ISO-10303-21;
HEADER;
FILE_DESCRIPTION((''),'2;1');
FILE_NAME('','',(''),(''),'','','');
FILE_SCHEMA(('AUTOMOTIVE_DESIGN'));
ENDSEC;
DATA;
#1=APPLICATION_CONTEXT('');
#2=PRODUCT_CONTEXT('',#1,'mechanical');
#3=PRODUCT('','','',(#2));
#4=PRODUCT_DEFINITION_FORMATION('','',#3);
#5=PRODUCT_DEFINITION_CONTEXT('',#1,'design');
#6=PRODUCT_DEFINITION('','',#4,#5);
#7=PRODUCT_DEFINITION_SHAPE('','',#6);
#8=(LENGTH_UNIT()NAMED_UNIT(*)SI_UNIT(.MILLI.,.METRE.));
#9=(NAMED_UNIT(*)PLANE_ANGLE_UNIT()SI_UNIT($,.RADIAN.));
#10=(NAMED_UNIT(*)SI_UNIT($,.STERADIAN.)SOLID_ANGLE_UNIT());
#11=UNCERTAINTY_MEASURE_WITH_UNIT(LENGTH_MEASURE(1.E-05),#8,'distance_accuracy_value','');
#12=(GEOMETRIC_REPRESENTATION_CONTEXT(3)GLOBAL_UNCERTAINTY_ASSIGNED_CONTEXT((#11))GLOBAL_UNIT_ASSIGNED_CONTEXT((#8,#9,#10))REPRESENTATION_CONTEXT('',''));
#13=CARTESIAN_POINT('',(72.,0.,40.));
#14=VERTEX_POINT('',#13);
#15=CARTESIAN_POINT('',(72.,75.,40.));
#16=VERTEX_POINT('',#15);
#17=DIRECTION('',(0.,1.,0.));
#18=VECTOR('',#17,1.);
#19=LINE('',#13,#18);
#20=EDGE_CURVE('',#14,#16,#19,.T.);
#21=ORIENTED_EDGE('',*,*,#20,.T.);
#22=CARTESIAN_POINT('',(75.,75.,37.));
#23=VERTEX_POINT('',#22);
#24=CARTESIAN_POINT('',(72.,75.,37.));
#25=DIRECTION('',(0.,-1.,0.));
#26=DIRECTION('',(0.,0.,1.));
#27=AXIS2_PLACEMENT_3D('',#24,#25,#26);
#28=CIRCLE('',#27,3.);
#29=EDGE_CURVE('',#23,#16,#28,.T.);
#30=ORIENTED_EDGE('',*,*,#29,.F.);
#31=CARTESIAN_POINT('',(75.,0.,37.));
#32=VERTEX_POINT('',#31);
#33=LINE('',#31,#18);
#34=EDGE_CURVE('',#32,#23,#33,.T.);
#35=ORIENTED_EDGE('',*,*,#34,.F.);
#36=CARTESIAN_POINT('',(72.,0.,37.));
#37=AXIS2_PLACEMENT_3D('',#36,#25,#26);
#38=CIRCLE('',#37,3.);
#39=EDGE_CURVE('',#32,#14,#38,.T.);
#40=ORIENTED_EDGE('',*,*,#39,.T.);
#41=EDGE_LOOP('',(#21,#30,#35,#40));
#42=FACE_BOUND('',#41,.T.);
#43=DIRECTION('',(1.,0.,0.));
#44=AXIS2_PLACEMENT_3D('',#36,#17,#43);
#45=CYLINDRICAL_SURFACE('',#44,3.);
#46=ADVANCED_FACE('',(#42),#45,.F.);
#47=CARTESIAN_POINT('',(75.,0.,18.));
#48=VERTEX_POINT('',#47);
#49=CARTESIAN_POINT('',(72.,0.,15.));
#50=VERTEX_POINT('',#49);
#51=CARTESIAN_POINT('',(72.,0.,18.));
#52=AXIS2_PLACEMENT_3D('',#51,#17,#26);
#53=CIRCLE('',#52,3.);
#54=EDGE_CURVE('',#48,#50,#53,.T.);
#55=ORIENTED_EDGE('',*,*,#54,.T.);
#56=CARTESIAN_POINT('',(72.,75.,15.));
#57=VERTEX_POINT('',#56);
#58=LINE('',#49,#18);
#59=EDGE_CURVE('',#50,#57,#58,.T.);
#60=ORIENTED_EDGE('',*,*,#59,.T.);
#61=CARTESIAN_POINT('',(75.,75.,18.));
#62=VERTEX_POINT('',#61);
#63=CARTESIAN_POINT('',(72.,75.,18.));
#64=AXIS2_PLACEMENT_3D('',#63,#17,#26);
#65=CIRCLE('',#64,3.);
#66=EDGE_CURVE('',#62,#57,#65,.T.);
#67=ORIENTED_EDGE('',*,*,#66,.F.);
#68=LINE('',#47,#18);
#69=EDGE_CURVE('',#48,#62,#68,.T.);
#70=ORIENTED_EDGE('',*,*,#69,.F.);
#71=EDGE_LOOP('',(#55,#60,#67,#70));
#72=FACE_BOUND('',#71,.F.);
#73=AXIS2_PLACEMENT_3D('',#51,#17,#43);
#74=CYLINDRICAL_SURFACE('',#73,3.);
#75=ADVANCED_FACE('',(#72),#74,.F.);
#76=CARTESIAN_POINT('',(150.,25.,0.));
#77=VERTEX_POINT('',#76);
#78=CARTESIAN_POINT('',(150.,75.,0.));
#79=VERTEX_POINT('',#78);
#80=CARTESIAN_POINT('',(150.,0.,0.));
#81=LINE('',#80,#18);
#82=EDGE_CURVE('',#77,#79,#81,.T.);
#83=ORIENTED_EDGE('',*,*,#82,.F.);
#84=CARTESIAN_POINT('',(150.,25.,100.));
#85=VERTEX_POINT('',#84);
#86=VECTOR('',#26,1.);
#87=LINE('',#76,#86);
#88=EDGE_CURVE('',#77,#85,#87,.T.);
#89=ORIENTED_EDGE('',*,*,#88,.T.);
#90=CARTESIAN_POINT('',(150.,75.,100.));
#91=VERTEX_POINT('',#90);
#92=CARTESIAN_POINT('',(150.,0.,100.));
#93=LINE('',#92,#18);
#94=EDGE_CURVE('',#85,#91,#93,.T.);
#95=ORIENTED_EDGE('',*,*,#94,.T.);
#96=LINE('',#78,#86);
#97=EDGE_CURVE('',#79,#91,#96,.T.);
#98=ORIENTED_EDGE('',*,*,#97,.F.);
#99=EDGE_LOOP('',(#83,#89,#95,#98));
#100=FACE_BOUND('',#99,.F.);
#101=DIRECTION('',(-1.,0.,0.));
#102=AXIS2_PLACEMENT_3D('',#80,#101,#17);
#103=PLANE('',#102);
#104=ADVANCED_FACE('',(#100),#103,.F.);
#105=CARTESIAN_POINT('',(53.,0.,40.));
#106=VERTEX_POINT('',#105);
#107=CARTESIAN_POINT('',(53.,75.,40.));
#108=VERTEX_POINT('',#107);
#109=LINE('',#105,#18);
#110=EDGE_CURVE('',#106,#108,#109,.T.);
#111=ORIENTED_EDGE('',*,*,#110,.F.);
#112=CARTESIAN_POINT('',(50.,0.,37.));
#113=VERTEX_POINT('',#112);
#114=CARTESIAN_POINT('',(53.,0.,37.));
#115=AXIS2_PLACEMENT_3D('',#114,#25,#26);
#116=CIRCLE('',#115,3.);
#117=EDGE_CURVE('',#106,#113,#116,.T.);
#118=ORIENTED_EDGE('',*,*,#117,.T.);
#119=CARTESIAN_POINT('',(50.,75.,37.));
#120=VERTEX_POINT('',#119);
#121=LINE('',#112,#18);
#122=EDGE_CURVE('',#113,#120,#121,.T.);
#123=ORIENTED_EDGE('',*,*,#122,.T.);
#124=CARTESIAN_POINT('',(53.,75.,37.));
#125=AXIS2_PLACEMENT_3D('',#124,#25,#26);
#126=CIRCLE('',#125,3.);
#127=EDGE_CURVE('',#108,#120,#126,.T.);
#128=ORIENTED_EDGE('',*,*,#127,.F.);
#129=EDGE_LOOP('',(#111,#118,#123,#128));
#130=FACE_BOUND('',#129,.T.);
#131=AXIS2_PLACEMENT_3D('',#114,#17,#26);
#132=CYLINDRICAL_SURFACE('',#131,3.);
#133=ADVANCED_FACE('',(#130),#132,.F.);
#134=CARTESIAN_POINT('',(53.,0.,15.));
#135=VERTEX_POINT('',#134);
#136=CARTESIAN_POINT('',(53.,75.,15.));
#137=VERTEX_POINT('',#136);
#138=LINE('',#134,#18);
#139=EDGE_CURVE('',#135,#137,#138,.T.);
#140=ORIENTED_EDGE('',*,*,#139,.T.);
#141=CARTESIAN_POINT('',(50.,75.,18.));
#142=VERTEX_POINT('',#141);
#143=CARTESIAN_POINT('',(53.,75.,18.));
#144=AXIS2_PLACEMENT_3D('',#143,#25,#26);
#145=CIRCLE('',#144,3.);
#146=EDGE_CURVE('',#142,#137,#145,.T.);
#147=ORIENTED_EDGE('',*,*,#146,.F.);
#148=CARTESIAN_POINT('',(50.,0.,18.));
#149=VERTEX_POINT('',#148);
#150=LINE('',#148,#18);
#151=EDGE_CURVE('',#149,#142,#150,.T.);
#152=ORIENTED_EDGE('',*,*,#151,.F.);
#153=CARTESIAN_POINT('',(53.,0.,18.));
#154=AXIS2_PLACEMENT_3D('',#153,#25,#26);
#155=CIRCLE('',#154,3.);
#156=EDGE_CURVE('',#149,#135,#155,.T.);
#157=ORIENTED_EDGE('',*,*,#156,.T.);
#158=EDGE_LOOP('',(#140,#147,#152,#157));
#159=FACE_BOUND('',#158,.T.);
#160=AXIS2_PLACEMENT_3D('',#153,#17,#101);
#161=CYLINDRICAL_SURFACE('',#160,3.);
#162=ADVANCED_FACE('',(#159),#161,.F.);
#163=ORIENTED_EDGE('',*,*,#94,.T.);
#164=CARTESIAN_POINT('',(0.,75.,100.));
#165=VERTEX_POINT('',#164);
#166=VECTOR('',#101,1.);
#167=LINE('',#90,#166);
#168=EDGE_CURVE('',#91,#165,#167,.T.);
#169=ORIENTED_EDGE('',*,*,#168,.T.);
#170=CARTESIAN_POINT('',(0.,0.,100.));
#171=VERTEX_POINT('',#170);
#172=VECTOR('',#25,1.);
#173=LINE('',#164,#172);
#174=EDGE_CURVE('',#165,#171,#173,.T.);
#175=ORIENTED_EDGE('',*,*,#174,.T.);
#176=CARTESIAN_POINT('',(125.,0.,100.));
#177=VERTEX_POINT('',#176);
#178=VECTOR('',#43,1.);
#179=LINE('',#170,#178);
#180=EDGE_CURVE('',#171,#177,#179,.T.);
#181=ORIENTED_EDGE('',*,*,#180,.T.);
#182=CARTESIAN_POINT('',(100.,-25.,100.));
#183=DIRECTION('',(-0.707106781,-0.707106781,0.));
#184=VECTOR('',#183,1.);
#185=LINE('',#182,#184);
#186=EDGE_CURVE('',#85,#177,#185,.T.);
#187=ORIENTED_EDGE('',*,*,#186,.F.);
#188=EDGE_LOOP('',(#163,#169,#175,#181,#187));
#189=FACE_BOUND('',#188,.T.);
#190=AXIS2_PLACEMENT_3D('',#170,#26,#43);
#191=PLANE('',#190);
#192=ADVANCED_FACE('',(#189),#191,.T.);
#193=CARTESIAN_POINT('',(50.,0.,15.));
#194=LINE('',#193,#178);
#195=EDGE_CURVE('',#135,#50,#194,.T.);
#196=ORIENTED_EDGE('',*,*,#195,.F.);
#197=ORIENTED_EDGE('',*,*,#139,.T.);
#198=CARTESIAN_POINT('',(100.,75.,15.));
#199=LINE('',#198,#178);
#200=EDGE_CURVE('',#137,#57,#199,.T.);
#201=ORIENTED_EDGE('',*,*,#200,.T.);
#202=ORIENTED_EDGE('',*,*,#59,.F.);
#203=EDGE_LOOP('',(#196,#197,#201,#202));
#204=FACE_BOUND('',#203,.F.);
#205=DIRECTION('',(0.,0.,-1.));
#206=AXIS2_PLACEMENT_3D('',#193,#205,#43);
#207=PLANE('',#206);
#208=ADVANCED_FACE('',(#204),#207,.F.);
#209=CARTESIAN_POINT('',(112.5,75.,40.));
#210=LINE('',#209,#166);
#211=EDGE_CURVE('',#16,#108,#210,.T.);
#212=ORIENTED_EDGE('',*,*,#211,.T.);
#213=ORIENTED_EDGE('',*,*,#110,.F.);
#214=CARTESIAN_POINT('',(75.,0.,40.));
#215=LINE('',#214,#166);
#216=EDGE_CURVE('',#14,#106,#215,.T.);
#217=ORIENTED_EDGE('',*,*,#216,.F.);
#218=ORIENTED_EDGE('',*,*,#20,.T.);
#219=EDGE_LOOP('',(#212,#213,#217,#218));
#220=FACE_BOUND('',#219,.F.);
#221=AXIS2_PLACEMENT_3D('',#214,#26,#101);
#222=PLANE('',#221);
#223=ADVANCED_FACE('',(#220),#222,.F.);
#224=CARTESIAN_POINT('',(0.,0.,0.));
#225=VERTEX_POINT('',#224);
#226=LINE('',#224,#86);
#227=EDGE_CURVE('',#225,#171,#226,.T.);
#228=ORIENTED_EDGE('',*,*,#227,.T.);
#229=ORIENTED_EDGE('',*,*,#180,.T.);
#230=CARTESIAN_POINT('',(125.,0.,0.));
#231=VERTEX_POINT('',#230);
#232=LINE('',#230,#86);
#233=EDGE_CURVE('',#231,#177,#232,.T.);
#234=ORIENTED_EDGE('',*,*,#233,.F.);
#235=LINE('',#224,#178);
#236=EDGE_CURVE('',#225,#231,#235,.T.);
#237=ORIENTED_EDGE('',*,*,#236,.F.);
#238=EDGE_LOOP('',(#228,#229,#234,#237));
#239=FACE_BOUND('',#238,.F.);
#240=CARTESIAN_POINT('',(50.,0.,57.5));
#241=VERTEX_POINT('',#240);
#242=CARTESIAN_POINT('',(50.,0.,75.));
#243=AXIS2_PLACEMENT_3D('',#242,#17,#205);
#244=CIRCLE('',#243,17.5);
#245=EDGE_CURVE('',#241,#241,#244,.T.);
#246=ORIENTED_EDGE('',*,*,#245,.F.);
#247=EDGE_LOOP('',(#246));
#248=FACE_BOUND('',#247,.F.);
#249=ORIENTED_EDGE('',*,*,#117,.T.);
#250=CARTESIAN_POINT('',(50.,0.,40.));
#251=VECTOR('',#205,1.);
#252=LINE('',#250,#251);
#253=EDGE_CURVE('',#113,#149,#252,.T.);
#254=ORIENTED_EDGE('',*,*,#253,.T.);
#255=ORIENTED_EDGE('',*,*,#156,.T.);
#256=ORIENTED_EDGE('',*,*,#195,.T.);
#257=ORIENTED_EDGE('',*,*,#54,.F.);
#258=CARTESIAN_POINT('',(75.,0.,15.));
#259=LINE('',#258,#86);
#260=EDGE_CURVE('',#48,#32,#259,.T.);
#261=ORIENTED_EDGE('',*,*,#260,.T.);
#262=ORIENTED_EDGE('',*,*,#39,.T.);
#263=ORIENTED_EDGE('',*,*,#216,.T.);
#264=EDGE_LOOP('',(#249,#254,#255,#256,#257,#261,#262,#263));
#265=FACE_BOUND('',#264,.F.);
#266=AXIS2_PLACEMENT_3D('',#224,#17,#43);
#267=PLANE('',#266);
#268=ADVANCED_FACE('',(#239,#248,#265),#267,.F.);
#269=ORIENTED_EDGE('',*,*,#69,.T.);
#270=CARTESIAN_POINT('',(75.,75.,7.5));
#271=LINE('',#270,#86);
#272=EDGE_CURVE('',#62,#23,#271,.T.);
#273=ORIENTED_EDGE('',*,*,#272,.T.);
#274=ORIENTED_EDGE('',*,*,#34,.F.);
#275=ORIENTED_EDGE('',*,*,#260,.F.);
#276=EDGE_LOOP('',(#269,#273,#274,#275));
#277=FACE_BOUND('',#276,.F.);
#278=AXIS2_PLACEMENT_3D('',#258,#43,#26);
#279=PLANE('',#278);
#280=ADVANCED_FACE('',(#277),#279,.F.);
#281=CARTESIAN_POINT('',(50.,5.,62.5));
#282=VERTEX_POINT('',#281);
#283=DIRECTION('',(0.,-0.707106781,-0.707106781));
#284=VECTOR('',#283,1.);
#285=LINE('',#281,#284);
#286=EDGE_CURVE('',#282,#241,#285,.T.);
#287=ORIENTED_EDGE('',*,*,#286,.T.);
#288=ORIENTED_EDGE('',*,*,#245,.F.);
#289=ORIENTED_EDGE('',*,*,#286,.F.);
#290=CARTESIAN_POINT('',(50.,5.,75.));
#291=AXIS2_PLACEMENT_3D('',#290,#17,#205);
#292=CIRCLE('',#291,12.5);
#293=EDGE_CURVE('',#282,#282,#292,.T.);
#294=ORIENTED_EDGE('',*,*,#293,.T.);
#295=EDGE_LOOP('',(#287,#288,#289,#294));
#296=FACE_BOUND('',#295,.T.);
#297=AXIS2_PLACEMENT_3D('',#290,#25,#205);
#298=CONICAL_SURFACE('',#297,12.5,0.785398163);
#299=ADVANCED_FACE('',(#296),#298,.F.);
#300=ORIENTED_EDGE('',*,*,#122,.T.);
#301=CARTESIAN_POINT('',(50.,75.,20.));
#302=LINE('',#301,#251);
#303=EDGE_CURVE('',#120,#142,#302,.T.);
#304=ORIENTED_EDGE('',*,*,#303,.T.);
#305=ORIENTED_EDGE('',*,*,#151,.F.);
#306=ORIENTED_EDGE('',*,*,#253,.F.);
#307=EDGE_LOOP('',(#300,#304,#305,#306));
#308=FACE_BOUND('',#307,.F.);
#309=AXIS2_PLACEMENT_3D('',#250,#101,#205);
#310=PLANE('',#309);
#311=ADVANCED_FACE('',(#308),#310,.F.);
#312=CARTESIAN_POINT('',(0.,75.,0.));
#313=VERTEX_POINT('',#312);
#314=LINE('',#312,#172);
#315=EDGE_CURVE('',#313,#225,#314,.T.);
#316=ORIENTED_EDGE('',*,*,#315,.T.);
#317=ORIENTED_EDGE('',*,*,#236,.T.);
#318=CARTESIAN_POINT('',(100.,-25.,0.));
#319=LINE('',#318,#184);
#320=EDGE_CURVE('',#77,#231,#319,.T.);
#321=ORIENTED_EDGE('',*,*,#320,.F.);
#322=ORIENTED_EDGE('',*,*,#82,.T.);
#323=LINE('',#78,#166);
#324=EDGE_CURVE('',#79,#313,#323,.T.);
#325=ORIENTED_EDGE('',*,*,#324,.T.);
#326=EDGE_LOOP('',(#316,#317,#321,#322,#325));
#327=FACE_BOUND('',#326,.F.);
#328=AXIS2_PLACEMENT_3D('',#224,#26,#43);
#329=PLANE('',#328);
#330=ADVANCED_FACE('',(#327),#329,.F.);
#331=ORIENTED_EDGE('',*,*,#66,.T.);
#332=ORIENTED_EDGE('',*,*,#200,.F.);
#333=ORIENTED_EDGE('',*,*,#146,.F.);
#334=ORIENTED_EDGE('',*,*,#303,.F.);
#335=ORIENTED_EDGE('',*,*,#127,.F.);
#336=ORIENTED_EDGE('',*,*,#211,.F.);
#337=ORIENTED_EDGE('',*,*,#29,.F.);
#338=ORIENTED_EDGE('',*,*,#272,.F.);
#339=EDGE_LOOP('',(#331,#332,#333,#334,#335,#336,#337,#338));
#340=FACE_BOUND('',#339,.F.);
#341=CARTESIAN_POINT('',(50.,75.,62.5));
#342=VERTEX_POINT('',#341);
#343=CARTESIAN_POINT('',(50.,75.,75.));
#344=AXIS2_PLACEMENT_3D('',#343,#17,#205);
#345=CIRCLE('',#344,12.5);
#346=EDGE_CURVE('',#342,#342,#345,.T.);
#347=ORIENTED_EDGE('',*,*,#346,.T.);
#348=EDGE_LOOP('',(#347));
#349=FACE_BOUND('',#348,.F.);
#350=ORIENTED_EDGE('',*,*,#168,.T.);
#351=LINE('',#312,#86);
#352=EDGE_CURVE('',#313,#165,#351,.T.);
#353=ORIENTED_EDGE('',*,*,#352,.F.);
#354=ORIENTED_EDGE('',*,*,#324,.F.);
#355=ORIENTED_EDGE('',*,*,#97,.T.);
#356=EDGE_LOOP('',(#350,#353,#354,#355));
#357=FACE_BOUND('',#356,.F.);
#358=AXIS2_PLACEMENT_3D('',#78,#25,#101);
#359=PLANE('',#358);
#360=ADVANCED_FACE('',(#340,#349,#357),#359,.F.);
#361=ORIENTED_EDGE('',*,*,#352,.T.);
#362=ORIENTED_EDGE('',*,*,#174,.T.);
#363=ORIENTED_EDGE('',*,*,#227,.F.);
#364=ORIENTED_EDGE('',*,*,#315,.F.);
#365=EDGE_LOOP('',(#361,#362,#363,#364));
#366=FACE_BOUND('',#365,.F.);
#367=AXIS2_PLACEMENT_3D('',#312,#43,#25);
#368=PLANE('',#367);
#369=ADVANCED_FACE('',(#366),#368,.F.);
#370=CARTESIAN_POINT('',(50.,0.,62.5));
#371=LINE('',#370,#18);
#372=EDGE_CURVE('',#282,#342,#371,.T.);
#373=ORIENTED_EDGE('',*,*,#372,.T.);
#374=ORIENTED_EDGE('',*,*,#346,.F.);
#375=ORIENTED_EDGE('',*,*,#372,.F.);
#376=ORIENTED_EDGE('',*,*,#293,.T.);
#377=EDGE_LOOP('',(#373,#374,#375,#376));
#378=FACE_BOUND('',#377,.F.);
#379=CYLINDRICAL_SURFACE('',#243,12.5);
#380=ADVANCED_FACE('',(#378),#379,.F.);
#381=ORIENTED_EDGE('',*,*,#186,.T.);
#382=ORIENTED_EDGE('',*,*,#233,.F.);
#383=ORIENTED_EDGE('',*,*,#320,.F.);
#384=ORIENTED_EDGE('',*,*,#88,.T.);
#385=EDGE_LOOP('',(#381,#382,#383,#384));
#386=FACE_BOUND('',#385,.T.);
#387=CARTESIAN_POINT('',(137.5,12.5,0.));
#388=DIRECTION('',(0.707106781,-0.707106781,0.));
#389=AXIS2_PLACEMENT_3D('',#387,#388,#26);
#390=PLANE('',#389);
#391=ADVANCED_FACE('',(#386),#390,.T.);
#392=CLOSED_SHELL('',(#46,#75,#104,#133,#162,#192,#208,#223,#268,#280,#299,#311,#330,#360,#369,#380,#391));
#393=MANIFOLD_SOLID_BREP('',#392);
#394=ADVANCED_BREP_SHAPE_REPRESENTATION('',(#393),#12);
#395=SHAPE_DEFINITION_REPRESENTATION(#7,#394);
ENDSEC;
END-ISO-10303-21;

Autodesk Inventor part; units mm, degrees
ref_plane "YZ Plane" through (0, 0, 0) normal (1, 0, 0) x (0, 1, 0)
ref_plane "XZ Plane" through (0, 0, 0) normal (0, 1, 0) x (-1, 0, 0)
ref_plane "XY Plane" through (0, 0, 0) normal (0, 0, 1) x (1, 0, 0)
sketch "Sketch1" plane through (0, 0, 0) normal (0, 0, 1) x (1, 0, 0)
  line L0 (0, 0) -> (150, 0)
  line L1 (150, 0) -> (150, 75)
  line L2 (150, 75) -> (0, 75)
  line L3 (0, 75) -> (0, 0)
  dimension "d0" = 150
  dimension "d1" = 75
extrude "Extrusion1" add sketch "Sketch1" along normal blind 100
chamfer "Chamfer1" distance 25 angle 45 1 edges at (150, 0, 50)
sketch "Sketch2" plane through (0, 0, 0) normal (0, -1, 0) x (1, 0, 0)
  line L0 (125, 100) -> (0, 100) projected
  line L1 (0, 0) -> (0, 100) projected
  point P0 (50, 75)
  dimension "d7" = 25
  dimension "d8" = 50
hole "Hole1" at (50, 0, 75) direction (0, 1, 0) diameter 25 end through all
sketch "Sketch3" plane through (0, 0, 0) normal (0, -1, 0) x (1, 0, 0)
  line L0 (75, 40) -> (50, 40)
  line L1 (50, 40) -> (50, 15)
  line L2 (50, 15) -> (75, 15)
  line L3 (75, 15) -> (75, 40)
  line L4 (125, 100) -> (125, 0) projected
  circle A0 centre (50, 75) radius 12.5 projected
  dimension "d16" = 25
  dimension "d17" = 50
  dimension "d18" = 35
extrude "Extrusion2" cut sketch "Sketch3" against normal through all contours L3 L2 L1 L0
fillet "Fillet1" radius 3 4 edges at (50, 37.5, 15) (75, 37.5, 15) (50, 37.5, 40) (75, 37.5, 40)
chamfer "Chamfer2" distance 5 angle 45 1 edges at (50, 0, 87.5)
properties part number "pc01"
